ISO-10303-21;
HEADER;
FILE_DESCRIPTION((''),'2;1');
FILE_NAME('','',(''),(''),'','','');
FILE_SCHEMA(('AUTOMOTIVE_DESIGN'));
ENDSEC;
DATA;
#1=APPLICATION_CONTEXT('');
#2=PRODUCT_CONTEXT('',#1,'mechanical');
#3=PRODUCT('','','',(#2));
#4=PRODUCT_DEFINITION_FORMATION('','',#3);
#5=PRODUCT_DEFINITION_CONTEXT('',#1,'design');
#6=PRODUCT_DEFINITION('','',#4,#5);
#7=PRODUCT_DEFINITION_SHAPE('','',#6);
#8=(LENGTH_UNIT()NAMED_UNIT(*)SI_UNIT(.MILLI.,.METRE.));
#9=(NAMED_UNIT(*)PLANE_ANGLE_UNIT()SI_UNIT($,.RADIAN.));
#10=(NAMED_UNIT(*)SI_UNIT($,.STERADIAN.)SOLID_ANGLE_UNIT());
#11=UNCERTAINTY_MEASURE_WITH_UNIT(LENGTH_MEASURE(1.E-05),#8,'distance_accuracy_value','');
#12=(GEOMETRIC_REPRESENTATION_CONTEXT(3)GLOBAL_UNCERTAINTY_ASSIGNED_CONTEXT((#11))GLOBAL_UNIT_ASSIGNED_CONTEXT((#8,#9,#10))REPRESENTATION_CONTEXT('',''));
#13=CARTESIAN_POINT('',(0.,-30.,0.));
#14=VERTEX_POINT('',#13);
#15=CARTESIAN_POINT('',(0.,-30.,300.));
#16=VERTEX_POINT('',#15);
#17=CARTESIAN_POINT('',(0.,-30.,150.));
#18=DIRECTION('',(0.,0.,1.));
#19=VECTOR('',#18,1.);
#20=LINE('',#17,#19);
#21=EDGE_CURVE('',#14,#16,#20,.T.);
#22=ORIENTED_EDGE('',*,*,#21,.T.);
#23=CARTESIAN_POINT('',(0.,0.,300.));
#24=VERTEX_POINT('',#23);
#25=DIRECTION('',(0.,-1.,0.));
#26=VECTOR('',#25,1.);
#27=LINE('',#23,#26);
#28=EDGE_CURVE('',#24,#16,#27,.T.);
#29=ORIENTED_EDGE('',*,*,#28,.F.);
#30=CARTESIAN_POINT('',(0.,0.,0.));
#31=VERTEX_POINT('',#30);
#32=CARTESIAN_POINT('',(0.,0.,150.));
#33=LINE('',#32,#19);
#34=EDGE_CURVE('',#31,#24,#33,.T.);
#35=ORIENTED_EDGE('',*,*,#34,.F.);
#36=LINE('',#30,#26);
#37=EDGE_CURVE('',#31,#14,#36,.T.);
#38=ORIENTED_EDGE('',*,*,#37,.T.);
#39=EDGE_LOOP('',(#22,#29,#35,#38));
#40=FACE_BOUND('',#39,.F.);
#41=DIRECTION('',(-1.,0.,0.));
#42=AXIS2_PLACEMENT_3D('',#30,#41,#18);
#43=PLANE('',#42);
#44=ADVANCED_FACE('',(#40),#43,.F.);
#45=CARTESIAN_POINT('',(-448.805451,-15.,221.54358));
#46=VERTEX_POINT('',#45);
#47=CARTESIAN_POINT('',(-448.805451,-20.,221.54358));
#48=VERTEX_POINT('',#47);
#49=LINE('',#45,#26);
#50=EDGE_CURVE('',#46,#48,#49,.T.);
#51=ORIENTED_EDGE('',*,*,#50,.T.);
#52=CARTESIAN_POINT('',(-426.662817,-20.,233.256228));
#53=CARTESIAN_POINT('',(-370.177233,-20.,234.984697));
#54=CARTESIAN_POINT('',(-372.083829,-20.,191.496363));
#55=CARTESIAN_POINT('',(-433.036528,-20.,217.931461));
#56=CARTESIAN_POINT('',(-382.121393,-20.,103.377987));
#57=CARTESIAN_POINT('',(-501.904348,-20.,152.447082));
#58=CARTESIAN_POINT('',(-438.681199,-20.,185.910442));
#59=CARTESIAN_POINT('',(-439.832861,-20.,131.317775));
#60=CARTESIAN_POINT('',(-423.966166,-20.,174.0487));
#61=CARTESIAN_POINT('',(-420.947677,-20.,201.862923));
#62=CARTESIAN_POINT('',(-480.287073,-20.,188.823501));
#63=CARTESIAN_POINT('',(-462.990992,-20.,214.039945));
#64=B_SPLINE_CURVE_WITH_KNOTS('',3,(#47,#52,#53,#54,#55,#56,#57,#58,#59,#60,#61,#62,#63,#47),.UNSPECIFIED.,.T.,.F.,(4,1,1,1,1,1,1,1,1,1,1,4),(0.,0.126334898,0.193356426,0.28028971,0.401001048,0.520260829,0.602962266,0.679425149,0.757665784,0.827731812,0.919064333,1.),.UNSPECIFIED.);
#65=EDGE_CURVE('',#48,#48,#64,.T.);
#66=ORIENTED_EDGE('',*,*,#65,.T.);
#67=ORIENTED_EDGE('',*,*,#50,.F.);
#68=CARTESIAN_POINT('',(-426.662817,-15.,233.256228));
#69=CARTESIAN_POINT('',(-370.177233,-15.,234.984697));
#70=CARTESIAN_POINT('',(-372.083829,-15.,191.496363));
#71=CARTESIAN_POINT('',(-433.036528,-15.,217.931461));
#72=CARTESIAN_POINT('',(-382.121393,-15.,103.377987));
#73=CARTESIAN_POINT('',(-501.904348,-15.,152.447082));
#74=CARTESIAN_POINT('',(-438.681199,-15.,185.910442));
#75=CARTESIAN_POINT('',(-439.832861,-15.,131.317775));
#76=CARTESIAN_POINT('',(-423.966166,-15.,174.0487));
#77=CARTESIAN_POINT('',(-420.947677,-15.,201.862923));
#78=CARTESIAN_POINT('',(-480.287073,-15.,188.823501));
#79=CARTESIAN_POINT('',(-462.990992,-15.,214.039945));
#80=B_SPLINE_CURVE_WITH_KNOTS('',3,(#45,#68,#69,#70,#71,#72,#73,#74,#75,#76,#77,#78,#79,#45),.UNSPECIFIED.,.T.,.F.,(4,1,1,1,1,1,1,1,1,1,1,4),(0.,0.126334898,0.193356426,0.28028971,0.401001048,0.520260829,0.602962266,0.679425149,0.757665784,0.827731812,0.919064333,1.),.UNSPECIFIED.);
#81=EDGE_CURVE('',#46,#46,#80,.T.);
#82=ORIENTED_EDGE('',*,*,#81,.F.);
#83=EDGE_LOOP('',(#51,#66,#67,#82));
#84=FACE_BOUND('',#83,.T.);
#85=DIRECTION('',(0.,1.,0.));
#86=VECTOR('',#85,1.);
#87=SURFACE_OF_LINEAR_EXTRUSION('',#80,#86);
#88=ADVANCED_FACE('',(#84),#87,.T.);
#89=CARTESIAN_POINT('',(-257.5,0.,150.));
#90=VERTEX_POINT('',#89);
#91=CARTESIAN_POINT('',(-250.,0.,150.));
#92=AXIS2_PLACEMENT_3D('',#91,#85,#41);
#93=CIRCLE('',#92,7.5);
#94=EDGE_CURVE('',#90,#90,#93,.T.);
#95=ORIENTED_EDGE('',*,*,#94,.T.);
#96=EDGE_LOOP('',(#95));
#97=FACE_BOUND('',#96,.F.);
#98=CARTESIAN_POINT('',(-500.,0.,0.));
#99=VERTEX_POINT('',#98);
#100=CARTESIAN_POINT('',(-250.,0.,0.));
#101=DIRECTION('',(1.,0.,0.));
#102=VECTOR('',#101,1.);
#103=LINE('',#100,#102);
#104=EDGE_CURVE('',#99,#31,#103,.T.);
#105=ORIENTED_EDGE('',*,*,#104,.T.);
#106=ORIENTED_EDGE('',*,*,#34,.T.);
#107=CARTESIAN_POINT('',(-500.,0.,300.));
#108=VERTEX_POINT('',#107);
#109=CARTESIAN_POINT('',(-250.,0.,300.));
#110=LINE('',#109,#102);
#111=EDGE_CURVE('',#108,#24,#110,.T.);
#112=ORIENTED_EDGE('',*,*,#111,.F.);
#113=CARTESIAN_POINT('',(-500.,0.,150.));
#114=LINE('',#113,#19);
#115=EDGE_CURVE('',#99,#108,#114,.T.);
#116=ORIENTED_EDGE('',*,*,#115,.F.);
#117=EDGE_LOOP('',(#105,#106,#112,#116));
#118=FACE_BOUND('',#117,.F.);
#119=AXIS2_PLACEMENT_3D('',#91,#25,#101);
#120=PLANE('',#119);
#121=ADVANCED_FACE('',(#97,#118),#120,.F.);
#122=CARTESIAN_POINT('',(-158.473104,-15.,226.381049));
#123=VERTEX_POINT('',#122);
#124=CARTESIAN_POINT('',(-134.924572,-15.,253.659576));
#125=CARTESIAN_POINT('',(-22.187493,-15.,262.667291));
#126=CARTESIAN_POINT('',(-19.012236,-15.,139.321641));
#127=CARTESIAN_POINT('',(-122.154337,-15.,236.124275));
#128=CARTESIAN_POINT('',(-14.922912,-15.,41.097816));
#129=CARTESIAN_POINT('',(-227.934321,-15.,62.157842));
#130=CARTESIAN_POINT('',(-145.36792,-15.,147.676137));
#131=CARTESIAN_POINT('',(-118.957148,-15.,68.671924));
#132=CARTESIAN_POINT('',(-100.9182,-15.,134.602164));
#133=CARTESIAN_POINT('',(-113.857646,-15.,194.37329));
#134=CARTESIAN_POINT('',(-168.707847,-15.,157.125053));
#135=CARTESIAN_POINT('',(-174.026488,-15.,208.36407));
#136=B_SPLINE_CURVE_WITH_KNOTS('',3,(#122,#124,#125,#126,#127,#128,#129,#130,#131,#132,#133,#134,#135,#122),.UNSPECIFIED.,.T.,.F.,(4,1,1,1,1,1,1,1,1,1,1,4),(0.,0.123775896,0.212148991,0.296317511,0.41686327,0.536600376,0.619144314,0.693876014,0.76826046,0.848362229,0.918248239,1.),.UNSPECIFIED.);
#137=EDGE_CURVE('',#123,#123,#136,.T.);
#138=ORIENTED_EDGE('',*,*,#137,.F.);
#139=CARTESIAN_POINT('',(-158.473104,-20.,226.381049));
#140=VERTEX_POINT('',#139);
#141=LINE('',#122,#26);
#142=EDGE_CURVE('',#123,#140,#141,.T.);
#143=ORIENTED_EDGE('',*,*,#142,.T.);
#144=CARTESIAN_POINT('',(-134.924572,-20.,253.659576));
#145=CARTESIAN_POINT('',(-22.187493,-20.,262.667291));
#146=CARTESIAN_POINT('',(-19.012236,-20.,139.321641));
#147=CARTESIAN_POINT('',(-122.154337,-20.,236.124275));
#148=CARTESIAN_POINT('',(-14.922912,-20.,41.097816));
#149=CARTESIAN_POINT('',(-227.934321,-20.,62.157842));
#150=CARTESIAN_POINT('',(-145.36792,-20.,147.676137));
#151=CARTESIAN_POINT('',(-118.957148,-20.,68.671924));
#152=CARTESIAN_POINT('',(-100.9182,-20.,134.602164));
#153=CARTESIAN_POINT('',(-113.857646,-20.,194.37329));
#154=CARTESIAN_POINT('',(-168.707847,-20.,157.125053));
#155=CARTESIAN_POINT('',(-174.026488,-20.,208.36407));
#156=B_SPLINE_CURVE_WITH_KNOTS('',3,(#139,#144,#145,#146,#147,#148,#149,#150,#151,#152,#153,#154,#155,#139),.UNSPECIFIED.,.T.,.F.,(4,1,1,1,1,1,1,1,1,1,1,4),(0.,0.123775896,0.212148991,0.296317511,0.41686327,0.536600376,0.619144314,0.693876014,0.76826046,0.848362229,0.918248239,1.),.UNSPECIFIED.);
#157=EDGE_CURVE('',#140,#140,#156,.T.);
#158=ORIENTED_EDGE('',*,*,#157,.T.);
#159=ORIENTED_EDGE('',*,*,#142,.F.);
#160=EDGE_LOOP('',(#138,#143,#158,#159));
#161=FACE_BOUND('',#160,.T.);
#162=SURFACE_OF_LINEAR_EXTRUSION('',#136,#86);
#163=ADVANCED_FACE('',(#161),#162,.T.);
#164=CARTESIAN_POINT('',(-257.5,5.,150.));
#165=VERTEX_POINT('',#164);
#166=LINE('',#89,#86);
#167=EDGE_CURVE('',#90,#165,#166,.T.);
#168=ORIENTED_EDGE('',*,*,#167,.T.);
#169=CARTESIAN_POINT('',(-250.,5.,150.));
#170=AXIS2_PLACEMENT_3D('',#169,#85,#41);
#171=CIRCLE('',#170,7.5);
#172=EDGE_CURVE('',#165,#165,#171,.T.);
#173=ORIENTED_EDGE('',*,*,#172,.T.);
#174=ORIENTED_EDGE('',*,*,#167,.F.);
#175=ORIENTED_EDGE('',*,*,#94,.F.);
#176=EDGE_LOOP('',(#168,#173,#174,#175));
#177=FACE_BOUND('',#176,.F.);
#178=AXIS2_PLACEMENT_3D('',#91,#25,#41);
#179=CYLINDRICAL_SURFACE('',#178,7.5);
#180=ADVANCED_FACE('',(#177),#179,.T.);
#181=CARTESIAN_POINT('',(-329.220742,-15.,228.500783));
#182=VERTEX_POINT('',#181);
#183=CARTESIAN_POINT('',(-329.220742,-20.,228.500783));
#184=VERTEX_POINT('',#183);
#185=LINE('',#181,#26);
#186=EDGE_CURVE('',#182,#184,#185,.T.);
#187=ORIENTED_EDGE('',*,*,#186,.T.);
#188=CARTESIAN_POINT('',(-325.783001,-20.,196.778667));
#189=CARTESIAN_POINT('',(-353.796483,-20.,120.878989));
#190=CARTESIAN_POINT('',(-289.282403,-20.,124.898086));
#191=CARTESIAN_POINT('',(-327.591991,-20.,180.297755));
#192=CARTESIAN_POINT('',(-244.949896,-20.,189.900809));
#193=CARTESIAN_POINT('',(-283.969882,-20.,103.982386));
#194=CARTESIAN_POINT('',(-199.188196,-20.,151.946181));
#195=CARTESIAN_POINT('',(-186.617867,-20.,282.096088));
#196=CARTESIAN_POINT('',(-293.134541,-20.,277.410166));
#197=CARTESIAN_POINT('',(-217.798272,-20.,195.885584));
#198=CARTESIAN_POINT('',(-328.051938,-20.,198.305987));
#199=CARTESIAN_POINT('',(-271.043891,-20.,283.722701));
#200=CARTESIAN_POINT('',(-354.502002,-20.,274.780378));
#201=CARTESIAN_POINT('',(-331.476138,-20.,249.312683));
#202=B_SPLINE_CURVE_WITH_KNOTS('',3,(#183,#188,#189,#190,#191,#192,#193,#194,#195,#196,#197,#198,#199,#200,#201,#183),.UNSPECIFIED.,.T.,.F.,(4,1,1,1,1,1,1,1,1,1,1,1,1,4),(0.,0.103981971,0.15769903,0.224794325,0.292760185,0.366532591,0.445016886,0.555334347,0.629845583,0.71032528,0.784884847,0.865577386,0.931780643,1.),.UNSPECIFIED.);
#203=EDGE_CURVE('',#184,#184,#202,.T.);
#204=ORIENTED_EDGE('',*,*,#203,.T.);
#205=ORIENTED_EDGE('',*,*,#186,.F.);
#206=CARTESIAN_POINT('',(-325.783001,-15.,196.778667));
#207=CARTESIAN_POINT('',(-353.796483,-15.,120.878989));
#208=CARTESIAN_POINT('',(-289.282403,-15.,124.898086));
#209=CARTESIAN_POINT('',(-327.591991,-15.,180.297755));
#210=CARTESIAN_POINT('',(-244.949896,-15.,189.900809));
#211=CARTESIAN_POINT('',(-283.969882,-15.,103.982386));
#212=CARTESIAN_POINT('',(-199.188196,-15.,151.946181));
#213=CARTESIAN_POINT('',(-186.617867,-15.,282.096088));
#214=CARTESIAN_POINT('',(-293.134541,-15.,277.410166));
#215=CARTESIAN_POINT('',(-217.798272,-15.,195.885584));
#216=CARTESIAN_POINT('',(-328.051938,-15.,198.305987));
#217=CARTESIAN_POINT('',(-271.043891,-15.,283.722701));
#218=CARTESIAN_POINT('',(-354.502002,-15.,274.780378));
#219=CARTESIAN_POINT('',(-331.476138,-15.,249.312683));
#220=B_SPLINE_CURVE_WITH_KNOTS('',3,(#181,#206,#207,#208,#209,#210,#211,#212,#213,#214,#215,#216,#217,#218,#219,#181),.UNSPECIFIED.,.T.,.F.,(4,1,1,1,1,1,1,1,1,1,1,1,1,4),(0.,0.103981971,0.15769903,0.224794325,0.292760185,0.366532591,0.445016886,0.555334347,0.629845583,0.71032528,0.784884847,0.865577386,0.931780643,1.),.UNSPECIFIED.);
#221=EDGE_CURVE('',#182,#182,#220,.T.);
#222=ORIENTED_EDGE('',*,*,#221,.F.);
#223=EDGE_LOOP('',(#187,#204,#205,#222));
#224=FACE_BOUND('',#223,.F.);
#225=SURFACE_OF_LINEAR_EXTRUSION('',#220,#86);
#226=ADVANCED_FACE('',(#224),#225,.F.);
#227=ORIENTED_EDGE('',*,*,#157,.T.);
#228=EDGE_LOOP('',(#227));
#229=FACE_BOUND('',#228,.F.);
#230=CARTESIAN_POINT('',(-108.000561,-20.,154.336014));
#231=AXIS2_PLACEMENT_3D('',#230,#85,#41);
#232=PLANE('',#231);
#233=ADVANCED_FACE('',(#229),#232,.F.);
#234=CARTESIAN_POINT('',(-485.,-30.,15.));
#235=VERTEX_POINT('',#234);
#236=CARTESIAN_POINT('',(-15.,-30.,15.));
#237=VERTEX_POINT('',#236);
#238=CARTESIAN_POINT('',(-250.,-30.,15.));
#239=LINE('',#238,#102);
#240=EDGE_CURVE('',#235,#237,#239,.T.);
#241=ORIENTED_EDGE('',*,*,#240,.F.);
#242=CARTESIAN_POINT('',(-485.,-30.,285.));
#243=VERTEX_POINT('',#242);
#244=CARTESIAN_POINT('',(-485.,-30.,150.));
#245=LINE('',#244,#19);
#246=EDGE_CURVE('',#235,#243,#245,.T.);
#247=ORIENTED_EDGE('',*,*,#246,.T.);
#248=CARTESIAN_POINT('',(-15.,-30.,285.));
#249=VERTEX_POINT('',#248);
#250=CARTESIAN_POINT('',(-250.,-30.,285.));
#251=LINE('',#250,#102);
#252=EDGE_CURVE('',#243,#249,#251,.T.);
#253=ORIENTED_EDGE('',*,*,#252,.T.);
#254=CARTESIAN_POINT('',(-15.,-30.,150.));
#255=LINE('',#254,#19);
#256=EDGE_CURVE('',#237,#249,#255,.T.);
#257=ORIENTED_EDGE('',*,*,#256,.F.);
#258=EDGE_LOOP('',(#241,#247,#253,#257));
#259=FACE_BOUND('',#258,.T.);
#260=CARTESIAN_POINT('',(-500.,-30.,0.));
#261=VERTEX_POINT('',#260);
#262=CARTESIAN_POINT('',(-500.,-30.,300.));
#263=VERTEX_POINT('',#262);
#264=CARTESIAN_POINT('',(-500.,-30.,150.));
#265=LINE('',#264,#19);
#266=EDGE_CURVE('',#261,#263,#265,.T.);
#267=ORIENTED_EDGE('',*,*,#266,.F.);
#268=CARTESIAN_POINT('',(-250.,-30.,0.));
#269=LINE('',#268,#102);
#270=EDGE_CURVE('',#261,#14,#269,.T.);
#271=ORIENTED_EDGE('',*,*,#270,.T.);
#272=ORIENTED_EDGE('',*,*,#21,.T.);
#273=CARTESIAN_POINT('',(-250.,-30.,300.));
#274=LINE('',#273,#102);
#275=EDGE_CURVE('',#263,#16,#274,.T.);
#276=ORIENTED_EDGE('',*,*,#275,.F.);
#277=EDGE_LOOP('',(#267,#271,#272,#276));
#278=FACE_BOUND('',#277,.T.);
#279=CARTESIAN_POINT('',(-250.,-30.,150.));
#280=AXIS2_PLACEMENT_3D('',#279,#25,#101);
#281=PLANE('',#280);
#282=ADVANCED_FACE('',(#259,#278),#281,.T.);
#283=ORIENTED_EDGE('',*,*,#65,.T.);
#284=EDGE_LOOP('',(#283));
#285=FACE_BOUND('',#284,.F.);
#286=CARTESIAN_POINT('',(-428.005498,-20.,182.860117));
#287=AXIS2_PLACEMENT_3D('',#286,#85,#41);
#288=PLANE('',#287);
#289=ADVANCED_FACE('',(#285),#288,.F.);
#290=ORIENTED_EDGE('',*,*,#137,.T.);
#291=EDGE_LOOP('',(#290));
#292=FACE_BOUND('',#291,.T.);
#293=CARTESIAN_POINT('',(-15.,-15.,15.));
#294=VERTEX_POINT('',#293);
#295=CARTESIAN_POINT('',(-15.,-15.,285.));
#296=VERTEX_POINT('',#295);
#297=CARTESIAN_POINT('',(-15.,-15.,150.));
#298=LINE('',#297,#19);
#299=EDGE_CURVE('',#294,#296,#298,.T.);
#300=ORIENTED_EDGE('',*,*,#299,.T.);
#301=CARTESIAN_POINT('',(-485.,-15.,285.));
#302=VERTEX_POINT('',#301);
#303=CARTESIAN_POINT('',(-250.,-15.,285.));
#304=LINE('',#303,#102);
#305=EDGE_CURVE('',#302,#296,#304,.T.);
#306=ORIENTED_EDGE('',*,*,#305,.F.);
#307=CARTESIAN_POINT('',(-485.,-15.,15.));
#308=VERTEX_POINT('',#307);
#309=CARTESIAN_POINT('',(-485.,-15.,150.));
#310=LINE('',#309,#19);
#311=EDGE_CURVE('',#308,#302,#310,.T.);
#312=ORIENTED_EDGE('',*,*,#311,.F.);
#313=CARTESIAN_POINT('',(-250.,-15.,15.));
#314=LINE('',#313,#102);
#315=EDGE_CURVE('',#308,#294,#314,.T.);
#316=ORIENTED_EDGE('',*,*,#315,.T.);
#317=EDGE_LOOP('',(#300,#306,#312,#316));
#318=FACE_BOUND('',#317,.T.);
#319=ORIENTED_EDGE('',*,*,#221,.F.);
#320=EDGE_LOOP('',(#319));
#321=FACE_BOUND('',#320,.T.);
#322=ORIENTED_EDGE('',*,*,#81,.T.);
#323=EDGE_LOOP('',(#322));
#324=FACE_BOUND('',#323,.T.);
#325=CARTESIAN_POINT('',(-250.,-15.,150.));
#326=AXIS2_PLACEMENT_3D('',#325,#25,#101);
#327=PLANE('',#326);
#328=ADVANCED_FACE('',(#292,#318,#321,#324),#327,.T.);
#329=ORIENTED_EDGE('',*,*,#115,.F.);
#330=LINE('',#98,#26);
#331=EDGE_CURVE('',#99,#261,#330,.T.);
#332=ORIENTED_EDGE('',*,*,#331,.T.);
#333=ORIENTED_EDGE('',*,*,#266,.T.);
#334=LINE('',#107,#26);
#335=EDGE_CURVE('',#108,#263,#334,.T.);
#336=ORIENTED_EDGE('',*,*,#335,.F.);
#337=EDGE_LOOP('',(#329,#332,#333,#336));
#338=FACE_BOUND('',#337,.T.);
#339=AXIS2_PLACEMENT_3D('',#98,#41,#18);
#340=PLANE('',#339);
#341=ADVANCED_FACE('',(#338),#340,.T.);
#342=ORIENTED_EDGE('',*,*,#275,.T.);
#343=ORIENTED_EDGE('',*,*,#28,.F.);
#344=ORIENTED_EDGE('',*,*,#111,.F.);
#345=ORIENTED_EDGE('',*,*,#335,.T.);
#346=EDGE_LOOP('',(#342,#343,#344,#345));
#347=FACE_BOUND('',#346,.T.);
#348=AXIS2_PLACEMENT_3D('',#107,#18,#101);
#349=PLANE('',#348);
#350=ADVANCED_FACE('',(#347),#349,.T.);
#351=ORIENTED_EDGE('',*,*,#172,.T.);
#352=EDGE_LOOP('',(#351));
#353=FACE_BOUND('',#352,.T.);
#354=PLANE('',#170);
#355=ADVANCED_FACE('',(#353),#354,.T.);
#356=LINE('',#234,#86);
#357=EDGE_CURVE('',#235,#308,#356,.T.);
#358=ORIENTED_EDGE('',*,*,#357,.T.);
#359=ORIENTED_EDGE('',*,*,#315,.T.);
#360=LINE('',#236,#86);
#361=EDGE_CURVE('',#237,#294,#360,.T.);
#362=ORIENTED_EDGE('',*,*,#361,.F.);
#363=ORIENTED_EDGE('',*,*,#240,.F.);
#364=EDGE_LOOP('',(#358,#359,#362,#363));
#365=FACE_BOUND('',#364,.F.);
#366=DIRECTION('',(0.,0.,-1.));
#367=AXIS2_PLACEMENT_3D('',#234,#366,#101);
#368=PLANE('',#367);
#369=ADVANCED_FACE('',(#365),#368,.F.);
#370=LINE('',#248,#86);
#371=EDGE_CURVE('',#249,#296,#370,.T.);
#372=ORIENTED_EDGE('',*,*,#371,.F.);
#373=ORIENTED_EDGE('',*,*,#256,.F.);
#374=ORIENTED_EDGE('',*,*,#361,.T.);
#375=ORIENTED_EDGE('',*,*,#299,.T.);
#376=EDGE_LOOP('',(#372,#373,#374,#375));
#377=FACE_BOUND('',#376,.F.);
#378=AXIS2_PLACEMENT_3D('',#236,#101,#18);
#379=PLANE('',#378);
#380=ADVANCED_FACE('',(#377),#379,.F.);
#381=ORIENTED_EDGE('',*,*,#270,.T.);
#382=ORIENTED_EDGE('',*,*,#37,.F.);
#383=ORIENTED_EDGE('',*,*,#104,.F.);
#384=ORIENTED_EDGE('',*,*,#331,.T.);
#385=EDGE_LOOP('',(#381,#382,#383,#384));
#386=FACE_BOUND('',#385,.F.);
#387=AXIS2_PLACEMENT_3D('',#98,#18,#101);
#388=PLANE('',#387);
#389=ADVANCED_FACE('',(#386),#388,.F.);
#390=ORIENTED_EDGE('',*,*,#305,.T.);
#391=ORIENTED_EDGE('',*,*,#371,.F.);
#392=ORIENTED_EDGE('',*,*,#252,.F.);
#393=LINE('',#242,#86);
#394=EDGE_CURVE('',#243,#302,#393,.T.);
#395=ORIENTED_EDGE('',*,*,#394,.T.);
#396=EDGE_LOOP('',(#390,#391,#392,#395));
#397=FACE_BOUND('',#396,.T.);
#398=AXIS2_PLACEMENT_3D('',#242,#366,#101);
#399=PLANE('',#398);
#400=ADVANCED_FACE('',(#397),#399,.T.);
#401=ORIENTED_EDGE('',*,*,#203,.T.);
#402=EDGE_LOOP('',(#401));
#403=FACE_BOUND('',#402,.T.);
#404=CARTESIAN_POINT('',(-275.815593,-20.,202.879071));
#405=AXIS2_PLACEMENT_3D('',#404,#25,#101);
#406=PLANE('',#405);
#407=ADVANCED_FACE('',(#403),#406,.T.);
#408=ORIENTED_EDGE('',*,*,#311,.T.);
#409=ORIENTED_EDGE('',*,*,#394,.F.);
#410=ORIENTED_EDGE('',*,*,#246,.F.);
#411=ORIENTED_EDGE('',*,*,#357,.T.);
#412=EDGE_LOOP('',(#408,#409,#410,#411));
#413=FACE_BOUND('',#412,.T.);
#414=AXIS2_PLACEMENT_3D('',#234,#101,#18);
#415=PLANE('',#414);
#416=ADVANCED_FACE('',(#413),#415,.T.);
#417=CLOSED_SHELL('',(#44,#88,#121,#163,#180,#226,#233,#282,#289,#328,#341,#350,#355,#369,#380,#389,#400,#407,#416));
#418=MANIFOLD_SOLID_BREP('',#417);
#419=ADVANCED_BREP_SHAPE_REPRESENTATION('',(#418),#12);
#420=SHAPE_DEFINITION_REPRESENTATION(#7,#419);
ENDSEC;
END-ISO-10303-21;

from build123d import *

# Parameters (mm, degrees)
F0_W     = 500
F0_H     = 300
F1_DEPTH = 30
F2_W     = 470
F2_H     = 270
F3_DEPTH = 15
F5_DEPTH = 5
F6_R     = 7.5
F7_DEPTH = 5


with BuildPart() as f1:
    # F0 (on Front) → F1 (new body)
    with BuildSketch(Plane.XZ):
        with Locations((-250, 150)):
            Rectangle(F0_W, F0_H)
    extrude(amount=F1_DEPTH)

    # F2 (on face) → F3 (cut)
    with BuildSketch(Plane.XZ.offset(30)):
        with Locations((-250, 150)):
            Rectangle(F2_W, F2_H)
    extrude(amount=-F3_DEPTH, mode=Mode.SUBTRACT)

    # F4 (on face) → F5 (join)
    with BuildSketch(Plane.XZ.offset(15)):
        with BuildLine():
            add(Edge.make_bspline(
                [(-448.8054513931, 221.5435802937), (-426.6628169338, 233.256228151), (-370.1772333178, 234.9846973118), (-372.083828823, 191.4963633825), (-433.0365280847, 217.9314614562), (-382.1213929534, 103.3779869967), (-501.9043476633, 152.4470818998), (-438.6811988974, 185.9104421135), (-439.8328608067, 131.3177745648), (-423.9661658259, 174.0486999615), (-420.9476769299, 201.8629231998), (-480.2870733753, 188.8235009479), (-462.9909924276, 214.039945299), (-448.8054513931, 221.5435802937)],
                knots=[0, 0, 0, 0, 0.126334898, 0.1933564262, 0.2802897097, 0.4010010476, 0.5202608286, 0.6029622656, 0.6794251494, 0.7576657836, 0.8277318117, 0.9190643334, 1, 1, 1, 1], degree=3))
        make_face()
        with BuildLine():
            add(Edge.make_bspline(
                [(-329.2207419872, 228.5007834435), (-325.7830009591, 196.7786672203), (-353.7964826259, 120.8789892276), (-289.2824032117, 124.8980863494), (-327.5919905554, 180.2977552249), (-244.9498957116, 189.9008094809), (-283.9698822732, 103.9823857259), (-199.1881956968, 151.9461814636), (-186.6178673096, 282.0960880386), (-293.1345409483, 277.4101662217), (-217.7982715033, 195.8855841284), (-328.0519378725, 198.305986936), (-271.0438908179, 283.7227011108), (-354.5020024804, 274.780378235), (-331.4761375908, 249.3126831413), (-329.2207419872, 228.5007834435)],
                knots=[0, 0, 0, 0, 0.1039819713, 0.1576990303, 0.224794325, 0.2927601848, 0.3665325911, 0.4450168863, 0.5553343465, 0.6298455831, 0.7103252797, 0.7848848473, 0.8655773857, 0.9317806434, 1, 1, 1, 1], degree=3))
        make_face()
        with BuildLine():
            add(Edge.make_bspline(
                [(-158.4731042385, 226.3810485601), (-134.9245719571, 253.6595760346), (-22.1874934725, 262.667291385), (-19.012235535, 139.3216405871), (-122.1543374549, 236.1242752678), (-14.9229122531, 41.0978156476), (-227.9343205248, 62.1578421069), (-145.3679198464, 147.6761371731), (-118.9571479917, 68.6719244055), (-100.9181998361, 134.6021641507), (-113.8576463292, 194.373289858), (-168.7078466629, 157.1250530991), (-174.0264878274, 208.3640699867), (-158.4731042385, 226.3810485601)],
                knots=[0, 0, 0, 0, 0.1237758963, 0.2121489915, 0.2963175108, 0.4168632696, 0.5366003759, 0.6191443141, 0.6938760136, 0.7682604598, 0.8483622292, 0.9182482385, 1, 1, 1, 1], degree=3))
        make_face()
    extrude(amount=F5_DEPTH)

    # F6 (on face) → F7 (join)
    with BuildSketch(Plane(origin=(0, 0, 0), x_dir=(-1, 0, 0), z_dir=(0, 1, 0))):
        with Locations((250, 150)):
            Circle(F6_R)
    extrude(amount=F7_DEPTH)


solid = f1.part
